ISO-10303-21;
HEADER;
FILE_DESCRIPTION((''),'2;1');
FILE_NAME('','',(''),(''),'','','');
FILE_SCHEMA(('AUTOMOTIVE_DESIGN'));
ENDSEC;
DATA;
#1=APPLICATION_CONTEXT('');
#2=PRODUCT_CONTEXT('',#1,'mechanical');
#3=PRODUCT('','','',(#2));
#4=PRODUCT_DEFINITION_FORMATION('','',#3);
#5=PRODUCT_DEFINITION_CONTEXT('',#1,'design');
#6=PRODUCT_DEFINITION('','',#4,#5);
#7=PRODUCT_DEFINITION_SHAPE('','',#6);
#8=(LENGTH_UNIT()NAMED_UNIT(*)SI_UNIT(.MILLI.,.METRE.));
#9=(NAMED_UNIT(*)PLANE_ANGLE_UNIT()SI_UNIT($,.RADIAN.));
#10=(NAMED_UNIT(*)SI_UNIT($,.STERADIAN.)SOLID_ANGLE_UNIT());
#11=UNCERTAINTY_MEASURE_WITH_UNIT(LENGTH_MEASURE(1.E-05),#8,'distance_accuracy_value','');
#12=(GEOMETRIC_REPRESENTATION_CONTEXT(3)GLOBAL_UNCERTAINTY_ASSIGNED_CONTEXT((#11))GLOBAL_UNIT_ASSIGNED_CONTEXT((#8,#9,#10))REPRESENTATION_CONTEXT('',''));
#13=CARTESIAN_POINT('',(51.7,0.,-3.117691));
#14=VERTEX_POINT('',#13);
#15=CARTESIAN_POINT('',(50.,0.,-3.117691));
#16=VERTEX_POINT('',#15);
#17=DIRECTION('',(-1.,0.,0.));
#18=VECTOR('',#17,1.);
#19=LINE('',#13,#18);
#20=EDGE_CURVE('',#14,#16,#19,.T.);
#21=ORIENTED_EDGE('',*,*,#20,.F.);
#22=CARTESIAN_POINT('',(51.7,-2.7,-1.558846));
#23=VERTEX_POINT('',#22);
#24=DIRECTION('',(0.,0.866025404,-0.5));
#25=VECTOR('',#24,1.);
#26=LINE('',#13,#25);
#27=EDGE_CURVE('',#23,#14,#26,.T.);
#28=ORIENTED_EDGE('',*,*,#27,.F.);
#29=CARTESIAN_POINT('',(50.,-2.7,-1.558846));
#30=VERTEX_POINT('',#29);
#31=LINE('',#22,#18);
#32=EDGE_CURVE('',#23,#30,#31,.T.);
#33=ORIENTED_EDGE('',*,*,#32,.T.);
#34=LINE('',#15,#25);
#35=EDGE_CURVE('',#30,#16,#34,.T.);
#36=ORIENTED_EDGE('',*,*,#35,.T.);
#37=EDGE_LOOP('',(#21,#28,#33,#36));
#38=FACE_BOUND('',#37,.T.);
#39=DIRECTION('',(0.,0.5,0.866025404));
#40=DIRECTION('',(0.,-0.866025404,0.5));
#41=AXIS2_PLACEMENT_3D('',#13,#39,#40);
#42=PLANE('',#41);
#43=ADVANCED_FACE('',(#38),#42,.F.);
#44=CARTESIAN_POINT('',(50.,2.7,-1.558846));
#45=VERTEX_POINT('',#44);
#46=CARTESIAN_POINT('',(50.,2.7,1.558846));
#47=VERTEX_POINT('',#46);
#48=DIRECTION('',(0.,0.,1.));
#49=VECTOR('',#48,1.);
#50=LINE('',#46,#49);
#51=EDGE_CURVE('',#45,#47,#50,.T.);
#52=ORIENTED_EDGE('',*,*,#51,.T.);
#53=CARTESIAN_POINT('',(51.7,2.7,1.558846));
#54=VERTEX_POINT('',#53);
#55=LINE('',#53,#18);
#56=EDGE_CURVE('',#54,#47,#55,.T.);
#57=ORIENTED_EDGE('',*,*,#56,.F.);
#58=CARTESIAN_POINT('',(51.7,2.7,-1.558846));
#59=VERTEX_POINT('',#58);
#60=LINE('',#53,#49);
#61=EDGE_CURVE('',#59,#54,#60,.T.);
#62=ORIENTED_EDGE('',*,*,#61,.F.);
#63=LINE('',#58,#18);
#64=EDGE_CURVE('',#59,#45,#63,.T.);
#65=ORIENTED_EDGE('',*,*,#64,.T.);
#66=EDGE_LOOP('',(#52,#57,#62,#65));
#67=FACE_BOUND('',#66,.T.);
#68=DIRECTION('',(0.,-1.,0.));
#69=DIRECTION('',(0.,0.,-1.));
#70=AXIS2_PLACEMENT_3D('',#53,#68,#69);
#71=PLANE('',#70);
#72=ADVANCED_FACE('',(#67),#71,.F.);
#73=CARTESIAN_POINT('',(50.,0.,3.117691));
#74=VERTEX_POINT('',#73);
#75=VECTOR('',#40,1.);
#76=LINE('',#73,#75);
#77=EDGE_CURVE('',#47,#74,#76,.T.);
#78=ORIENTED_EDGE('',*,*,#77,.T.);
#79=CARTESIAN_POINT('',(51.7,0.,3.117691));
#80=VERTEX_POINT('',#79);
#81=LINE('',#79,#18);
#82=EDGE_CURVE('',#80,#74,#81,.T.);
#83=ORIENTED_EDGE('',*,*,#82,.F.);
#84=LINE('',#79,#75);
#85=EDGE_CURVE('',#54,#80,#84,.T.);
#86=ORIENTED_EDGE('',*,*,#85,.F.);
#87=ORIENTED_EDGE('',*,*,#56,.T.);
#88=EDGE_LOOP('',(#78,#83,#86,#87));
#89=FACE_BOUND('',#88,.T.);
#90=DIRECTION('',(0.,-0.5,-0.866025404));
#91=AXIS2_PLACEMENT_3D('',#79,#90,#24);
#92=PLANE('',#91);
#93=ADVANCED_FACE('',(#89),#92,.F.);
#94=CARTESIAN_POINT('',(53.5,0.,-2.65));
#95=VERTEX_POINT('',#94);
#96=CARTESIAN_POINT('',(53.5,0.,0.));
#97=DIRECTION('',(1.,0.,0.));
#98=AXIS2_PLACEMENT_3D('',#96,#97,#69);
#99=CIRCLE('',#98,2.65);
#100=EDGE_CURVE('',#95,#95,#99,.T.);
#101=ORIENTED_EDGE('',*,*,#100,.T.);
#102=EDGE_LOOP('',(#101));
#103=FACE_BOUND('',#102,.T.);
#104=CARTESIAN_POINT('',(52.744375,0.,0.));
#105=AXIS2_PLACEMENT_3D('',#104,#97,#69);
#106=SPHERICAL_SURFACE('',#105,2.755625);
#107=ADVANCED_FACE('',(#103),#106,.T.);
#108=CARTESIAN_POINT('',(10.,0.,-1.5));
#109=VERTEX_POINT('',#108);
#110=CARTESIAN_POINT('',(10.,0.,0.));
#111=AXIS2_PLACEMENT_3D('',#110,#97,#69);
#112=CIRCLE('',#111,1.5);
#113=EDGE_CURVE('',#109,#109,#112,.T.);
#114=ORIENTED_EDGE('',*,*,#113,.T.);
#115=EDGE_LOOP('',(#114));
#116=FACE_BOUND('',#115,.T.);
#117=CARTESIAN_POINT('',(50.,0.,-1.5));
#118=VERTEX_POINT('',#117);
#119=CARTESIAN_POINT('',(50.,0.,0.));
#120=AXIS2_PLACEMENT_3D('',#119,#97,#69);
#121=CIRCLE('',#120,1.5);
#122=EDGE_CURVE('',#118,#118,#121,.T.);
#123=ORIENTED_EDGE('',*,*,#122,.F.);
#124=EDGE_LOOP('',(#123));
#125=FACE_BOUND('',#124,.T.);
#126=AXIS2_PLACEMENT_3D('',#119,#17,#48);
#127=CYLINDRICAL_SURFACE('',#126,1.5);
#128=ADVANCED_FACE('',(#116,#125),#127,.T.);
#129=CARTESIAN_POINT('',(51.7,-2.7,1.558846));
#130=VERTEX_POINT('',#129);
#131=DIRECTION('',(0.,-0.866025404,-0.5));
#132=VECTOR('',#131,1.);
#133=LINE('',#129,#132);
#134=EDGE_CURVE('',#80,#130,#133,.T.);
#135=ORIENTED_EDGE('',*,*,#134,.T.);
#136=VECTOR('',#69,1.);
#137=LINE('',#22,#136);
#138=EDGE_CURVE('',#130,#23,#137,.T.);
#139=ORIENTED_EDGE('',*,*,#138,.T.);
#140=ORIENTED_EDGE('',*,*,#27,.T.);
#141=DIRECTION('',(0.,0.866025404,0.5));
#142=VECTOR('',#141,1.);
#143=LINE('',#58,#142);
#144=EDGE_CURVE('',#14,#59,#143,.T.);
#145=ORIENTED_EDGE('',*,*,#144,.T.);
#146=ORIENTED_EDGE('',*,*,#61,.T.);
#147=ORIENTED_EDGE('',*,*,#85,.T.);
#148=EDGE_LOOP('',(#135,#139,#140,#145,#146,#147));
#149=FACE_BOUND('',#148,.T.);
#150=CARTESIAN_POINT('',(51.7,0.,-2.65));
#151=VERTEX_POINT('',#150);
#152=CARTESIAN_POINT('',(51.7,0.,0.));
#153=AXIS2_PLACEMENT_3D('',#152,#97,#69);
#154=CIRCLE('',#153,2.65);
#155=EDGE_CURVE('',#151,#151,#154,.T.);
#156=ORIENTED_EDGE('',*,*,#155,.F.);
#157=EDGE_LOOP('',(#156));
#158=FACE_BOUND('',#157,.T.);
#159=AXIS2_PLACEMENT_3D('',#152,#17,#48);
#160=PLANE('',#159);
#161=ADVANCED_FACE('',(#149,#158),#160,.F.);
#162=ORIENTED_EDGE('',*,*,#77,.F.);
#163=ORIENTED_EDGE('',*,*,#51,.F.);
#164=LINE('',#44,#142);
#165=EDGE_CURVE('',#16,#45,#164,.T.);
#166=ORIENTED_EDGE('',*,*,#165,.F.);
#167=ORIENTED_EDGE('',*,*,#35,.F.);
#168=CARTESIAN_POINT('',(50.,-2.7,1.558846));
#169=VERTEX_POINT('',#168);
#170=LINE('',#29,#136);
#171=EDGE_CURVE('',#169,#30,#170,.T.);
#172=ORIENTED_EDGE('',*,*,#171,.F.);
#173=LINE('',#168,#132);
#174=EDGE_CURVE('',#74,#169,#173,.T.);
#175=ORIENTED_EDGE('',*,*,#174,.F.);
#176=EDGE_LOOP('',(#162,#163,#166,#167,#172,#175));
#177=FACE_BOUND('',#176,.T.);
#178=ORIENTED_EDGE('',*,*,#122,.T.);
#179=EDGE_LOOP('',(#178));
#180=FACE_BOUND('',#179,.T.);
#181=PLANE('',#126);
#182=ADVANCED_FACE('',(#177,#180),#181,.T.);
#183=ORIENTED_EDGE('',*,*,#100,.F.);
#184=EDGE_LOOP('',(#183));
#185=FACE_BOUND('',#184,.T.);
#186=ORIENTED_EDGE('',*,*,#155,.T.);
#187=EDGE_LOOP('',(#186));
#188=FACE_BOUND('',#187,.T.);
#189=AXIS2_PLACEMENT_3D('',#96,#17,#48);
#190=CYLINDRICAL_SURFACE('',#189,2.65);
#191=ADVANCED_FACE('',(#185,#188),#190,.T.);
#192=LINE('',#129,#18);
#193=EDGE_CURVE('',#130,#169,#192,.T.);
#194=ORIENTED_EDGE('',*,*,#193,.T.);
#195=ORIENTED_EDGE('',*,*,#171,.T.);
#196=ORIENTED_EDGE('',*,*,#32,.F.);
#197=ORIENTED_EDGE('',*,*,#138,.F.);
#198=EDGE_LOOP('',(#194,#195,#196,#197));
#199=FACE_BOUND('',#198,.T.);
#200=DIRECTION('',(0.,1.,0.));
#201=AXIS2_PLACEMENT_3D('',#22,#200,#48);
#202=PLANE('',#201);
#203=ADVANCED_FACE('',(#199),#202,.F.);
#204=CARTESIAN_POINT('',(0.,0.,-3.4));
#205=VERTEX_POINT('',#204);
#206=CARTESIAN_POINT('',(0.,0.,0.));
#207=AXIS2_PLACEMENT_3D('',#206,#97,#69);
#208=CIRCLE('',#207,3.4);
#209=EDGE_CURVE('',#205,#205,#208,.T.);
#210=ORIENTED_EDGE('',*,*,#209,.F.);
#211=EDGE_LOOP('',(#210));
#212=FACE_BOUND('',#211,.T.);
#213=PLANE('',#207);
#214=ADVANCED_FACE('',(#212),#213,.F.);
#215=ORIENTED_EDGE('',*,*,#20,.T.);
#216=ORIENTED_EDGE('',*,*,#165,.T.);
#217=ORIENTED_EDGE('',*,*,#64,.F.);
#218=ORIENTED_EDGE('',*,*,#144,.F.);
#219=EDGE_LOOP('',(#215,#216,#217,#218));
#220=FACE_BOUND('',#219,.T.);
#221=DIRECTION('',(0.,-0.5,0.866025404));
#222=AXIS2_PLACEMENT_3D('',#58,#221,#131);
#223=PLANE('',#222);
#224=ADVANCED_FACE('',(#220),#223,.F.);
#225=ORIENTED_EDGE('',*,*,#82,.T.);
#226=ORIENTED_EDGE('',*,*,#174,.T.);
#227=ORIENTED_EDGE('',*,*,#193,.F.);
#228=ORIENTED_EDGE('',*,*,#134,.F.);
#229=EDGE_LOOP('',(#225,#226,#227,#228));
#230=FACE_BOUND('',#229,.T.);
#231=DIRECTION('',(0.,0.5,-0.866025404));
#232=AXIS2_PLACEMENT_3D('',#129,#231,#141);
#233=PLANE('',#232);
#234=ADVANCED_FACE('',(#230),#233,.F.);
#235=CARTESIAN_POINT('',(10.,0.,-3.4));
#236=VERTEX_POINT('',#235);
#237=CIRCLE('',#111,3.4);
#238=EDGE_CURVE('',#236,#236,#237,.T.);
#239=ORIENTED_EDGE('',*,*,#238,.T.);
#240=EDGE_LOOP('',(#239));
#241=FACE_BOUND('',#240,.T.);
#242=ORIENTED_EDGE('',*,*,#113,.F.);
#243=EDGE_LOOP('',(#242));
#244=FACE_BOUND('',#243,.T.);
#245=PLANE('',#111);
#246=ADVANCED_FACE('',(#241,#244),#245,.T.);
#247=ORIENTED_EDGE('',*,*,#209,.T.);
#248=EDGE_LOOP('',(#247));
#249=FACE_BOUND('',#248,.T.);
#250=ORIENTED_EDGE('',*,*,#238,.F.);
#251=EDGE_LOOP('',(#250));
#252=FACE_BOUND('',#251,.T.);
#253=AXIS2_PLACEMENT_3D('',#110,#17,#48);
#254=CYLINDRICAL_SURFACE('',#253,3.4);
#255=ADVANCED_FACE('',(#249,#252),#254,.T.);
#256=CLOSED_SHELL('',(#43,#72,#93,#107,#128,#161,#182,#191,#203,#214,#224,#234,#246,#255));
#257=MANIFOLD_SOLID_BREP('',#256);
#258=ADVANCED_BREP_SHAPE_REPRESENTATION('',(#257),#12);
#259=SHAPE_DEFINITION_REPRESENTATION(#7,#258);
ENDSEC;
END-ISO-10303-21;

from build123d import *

# Parameters (mm, degrees)
SKETCH8_R           = 3.4
BOSS_EXTRUDE1_DEPTH = 10
SKETCH9_R           = 1.5
BOSS_EXTRUDE2_DEPTH = 40
BOSS_EXTRUDE3_DEPTH = 1.7
SKETCH11_R          = 2.65
BOSS_EXTRUDE4_DEPTH = 1.8
DOME1_FACE_RADIUS   = 2.65
DOME1_HEIGHT        = 2


with BuildPart() as part:
    # Sketch8 → Boss-Extrude1 (new body)
    with BuildSketch(Plane(origin=(0, 0, 0), x_dir=(0, 0, -1), z_dir=(1, 0, 0))):
        Circle(SKETCH8_R)
    extrude(amount=BOSS_EXTRUDE1_DEPTH)

    # Sketch9 → Boss-Extrude2 (add)
    with BuildSketch(Plane(origin=(10, 0, 0), x_dir=(0, 0, -1), z_dir=(1, 0, 0))):
        Circle(SKETCH9_R)
    extrude(amount=BOSS_EXTRUDE2_DEPTH)

    # Sketch10 → Boss-Extrude3 (add)
    with BuildSketch(Plane(origin=(50, 0, 0), x_dir=(0, 0, -1), z_dir=(1, 0, 0))):
        Polygon((-1.558845727, 2.7), (1.558845727, 2.7), (3.117691454, 0), (1.558845727, -2.7), (-1.558845727, -2.7), (-3.117691454, 0), align=None)
    extrude(amount=BOSS_EXTRUDE3_DEPTH)

    # Sketch11 → Boss-Extrude4 (add)
    with BuildSketch(Plane(origin=(51.7, 0, 0), x_dir=(0, 0, -1), z_dir=(1, 0, 0))):
        Circle(SKETCH11_R)
    extrude(amount=BOSS_EXTRUDE4_DEPTH)

    # Dome1: a dome of height H over a round flat face of radius A is a cap of a sphere of radius (A * A + H * H) / (2 * H)
    dome1_r = (DOME1_FACE_RADIUS * DOME1_FACE_RADIUS + DOME1_HEIGHT * DOME1_HEIGHT) / (2 * DOME1_HEIGHT)
    dome1_base = Plane((53.5, 0, 0), z_dir=(1, 0, 0))
    with Locations(dome1_base.offset(DOME1_HEIGHT - dome1_r)):
        dome1_ball = Sphere(dome1_r, mode=Mode.PRIVATE)
    add(split(dome1_ball, bisect_by=dome1_base, keep=Keep.TOP, mode=Mode.PRIVATE))


solid = part.part
